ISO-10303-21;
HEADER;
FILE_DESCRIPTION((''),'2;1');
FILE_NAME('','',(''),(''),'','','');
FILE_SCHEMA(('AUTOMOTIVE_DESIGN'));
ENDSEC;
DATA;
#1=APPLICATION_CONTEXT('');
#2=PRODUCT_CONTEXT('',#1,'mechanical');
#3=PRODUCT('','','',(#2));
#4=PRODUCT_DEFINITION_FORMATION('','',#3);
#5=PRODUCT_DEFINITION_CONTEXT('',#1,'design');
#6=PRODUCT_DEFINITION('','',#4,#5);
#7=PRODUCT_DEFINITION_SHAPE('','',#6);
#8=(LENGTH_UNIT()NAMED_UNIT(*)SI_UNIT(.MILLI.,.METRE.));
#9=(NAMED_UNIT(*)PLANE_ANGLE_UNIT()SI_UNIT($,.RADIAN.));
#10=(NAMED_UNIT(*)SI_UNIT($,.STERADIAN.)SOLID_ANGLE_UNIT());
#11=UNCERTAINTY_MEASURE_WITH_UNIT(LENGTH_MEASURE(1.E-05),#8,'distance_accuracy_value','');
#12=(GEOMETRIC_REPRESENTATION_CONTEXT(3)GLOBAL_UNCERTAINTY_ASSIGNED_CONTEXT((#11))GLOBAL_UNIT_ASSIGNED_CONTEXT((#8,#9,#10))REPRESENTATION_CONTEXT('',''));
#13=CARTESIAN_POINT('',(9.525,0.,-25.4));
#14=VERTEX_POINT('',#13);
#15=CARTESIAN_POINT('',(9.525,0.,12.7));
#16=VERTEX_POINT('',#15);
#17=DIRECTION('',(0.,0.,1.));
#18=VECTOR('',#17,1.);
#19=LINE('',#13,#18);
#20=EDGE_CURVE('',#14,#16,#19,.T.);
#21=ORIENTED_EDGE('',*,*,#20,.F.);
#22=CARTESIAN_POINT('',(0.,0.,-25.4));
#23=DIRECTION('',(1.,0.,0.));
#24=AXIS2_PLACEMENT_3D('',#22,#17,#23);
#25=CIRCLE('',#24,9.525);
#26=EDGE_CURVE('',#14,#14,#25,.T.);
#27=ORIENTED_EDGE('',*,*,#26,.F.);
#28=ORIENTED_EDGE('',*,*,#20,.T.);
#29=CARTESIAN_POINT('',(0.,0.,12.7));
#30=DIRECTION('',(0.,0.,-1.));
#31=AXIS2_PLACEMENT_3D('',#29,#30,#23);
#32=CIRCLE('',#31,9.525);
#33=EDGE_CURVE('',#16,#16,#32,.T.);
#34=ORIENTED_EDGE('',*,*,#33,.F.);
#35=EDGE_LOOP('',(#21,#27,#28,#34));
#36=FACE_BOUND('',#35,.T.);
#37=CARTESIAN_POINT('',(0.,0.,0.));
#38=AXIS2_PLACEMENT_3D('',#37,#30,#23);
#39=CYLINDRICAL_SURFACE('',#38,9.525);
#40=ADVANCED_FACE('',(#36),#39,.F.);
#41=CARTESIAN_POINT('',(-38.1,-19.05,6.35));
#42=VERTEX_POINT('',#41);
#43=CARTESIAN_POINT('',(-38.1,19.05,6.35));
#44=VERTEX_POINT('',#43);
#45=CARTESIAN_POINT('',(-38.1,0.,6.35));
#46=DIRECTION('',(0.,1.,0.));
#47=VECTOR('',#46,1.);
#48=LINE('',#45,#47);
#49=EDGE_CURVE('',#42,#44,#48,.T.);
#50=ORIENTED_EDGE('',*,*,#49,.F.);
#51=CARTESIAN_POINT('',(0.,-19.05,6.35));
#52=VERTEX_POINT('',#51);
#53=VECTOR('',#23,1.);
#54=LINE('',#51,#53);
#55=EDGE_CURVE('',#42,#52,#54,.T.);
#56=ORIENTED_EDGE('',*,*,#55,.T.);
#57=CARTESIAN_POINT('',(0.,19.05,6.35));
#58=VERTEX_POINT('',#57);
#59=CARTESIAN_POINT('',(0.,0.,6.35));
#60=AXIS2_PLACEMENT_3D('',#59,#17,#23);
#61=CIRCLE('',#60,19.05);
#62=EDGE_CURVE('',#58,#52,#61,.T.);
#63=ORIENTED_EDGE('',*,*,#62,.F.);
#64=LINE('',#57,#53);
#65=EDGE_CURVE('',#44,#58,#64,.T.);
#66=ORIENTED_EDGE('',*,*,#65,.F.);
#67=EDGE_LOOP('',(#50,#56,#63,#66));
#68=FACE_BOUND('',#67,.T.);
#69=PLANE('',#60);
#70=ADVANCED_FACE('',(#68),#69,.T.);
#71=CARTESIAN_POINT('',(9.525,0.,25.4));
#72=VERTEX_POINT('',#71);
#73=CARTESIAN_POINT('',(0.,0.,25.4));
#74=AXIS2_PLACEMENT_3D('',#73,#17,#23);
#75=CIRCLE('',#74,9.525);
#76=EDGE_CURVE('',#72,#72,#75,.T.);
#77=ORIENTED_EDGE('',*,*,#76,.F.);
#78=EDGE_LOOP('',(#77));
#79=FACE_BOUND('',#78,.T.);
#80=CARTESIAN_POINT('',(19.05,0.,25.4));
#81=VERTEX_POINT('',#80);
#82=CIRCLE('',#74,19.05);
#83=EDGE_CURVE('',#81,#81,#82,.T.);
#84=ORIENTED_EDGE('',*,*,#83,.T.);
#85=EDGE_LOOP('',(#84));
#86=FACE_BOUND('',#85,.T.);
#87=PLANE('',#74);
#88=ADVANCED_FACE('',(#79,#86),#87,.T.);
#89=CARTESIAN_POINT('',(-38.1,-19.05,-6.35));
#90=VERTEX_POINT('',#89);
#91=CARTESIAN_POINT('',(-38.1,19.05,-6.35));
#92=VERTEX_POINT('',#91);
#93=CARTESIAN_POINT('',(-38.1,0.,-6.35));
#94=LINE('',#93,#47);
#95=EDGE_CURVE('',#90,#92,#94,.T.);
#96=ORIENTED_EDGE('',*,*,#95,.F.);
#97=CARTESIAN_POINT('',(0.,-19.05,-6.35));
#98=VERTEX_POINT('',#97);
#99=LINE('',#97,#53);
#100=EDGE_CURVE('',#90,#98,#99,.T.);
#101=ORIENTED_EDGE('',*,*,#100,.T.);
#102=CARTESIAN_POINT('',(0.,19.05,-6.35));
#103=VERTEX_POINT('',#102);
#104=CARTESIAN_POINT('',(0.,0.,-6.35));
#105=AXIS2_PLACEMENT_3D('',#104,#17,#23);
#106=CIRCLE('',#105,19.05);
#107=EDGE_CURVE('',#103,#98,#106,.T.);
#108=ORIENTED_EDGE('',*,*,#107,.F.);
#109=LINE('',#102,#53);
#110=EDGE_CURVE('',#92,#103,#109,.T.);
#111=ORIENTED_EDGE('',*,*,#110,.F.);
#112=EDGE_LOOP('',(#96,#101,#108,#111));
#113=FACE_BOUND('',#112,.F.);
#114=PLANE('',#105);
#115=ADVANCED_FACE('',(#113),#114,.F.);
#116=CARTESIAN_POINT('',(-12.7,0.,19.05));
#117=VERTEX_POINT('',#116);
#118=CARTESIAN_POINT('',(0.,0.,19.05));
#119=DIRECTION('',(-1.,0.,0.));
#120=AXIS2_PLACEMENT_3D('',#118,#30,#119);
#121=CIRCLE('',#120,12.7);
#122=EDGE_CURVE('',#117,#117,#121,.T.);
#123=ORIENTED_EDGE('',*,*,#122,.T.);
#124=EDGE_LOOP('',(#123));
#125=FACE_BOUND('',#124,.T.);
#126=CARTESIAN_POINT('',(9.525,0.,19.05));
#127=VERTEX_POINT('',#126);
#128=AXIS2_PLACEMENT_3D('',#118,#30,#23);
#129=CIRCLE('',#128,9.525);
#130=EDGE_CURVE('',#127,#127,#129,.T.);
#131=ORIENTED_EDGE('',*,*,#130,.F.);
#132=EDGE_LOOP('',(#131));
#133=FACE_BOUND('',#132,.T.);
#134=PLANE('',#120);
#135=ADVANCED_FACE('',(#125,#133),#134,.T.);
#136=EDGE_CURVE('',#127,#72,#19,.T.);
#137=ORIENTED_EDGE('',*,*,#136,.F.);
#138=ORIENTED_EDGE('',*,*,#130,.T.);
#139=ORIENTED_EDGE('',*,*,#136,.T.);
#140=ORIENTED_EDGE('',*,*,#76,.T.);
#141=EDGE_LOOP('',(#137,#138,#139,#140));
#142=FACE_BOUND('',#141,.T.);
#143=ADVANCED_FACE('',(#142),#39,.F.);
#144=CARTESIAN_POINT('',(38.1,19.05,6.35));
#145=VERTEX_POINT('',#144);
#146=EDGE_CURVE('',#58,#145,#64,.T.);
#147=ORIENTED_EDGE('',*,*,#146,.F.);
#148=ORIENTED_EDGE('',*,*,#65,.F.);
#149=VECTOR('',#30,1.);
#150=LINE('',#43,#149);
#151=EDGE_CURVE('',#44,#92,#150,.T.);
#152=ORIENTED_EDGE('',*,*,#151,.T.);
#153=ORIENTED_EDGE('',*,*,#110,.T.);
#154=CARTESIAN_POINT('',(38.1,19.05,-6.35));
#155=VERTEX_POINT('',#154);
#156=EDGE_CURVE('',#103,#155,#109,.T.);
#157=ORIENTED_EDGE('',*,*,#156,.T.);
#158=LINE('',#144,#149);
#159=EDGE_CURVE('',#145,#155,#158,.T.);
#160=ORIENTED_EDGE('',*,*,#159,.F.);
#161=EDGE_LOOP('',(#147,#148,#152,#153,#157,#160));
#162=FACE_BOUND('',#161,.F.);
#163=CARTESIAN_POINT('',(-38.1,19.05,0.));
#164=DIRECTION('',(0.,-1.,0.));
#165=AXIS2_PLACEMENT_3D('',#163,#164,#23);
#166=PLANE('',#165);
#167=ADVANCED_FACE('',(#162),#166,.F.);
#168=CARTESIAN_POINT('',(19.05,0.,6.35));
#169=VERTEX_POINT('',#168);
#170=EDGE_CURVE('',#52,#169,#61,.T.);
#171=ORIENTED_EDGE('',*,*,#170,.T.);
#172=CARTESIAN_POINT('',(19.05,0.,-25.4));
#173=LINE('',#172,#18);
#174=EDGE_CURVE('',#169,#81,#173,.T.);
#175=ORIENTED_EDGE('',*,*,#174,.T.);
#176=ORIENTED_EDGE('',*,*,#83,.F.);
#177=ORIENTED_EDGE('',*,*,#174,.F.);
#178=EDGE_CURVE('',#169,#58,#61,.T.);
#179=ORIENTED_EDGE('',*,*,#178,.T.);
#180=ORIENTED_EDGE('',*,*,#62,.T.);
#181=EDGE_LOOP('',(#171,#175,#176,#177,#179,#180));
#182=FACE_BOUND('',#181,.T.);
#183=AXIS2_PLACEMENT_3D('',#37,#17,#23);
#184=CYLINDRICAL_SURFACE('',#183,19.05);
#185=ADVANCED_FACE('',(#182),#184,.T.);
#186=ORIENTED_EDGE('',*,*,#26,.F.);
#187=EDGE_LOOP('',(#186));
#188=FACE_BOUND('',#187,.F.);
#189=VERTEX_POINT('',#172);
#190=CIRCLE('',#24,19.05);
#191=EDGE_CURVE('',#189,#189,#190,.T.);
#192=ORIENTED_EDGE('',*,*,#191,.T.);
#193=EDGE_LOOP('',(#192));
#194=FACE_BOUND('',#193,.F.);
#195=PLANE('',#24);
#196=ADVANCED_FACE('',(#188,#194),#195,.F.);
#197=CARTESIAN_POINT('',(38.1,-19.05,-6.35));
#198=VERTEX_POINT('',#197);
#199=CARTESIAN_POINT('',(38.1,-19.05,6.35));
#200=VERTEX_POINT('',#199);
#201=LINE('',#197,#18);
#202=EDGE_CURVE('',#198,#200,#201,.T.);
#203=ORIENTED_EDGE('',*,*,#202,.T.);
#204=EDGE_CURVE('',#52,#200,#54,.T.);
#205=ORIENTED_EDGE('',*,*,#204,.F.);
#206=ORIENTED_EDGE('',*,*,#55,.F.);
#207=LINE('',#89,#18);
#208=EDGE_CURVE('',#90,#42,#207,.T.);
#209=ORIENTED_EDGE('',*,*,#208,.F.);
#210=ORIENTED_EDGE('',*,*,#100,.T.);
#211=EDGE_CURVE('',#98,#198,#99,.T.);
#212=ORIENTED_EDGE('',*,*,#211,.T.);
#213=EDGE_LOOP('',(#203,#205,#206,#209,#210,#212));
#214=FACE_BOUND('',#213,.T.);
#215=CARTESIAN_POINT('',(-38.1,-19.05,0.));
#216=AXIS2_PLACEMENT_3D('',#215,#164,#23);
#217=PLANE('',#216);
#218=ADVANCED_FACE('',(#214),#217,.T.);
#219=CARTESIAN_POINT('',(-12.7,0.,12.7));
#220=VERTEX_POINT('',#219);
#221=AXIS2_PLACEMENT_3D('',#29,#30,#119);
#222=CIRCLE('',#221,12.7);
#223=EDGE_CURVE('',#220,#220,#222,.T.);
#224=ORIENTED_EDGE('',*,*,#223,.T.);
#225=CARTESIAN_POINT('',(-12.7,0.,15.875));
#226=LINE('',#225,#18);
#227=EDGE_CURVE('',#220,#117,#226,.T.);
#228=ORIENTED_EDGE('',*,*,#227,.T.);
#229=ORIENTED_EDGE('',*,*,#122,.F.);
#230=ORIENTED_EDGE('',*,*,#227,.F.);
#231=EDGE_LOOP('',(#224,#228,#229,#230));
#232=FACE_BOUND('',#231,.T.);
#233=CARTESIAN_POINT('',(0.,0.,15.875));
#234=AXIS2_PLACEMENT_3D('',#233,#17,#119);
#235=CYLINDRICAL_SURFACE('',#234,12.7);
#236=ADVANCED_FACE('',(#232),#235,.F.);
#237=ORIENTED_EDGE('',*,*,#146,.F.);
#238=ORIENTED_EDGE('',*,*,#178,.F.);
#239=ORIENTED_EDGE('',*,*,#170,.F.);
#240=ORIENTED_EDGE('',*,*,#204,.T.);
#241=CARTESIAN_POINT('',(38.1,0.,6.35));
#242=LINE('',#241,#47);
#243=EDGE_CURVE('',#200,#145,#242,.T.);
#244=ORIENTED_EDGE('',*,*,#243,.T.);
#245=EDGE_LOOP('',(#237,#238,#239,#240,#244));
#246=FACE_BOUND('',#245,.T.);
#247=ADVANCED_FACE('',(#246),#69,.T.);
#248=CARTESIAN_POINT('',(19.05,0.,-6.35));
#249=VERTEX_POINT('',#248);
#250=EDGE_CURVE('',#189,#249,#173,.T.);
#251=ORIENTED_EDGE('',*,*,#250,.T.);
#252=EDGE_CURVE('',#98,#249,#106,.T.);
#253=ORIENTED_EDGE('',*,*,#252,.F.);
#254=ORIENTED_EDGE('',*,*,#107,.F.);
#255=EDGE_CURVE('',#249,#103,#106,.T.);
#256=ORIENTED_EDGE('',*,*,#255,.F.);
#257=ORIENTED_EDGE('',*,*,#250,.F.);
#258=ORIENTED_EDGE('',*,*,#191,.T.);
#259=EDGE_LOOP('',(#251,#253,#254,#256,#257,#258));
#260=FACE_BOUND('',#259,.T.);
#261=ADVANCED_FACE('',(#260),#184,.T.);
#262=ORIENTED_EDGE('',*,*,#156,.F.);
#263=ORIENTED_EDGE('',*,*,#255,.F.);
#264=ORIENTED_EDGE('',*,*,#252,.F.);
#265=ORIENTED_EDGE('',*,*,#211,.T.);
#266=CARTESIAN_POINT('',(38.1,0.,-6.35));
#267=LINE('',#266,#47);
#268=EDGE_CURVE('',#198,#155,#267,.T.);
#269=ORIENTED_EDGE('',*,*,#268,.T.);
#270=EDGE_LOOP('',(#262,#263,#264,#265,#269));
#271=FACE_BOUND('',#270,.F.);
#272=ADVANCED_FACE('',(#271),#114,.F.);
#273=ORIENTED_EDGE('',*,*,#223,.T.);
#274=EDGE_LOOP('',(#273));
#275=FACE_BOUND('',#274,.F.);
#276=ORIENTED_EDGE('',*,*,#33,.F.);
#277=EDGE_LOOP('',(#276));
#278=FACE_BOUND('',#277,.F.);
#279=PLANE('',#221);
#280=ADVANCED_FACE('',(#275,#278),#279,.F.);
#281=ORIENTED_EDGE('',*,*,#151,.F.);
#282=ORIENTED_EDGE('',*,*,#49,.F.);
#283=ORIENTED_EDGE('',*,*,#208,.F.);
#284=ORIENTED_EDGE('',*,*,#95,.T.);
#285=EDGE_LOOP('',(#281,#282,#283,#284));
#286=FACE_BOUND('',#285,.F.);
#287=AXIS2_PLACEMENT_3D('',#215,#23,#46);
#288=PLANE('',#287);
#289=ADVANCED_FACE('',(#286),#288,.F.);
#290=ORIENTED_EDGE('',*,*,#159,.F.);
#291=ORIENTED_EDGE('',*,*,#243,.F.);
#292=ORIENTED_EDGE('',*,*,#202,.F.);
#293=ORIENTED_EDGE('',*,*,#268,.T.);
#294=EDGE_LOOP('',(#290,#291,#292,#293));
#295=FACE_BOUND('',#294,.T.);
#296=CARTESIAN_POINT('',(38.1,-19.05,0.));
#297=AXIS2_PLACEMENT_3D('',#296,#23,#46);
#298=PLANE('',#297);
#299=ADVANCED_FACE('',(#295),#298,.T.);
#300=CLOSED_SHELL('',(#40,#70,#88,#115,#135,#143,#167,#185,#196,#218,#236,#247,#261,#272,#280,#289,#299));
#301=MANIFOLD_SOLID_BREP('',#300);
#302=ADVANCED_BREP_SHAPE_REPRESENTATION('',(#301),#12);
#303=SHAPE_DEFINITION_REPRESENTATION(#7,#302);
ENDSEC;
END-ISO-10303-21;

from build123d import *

# Parameters (mm, degrees)
F0_R     = 19.05
F0_R_2   = 9.525
F1_DEPTH = 25.4
F2_W     = 76.2
F2_H     = 38.1
F2_R     = 9.525
F3_DEPTH = 6.35
F4_DEPTH = 25.401
F5_W     = 12.7
F5_H     = 6.35


with BuildPart() as f1:
    # F0 (on Top) → F1 (new body, symmetric)
    with BuildSketch(Plane.XY):
        Circle(F0_R)
        Circle(F0_R_2, mode=Mode.SUBTRACT)
    extrude(amount=F1_DEPTH, both=True)

    # F2 (on Top) → F3 (join, symmetric)
    with BuildSketch(Plane.XY):
        Rectangle(F2_W, F2_H)
        Circle(F2_R, mode=Mode.SUBTRACT)
    extrude(amount=F3_DEPTH, both=True)

    # F2 (on Top) → F4 (cut, through all)
    with BuildSketch(Plane.XY):
        Circle(F2_R)
    extrude(amount=-F4_DEPTH, mode=Mode.SUBTRACT)

    # F5 (on Front) → F6 (revolve, cut)
    with BuildSketch(Plane.XZ):
        with Locations((-6.35, 15.875)):
            Rectangle(F5_W, F5_H)
    revolve(axis=Axis((0, 0, 0.9809378535), (0, 0, -1)), mode=Mode.SUBTRACT)


solid = f1.part
